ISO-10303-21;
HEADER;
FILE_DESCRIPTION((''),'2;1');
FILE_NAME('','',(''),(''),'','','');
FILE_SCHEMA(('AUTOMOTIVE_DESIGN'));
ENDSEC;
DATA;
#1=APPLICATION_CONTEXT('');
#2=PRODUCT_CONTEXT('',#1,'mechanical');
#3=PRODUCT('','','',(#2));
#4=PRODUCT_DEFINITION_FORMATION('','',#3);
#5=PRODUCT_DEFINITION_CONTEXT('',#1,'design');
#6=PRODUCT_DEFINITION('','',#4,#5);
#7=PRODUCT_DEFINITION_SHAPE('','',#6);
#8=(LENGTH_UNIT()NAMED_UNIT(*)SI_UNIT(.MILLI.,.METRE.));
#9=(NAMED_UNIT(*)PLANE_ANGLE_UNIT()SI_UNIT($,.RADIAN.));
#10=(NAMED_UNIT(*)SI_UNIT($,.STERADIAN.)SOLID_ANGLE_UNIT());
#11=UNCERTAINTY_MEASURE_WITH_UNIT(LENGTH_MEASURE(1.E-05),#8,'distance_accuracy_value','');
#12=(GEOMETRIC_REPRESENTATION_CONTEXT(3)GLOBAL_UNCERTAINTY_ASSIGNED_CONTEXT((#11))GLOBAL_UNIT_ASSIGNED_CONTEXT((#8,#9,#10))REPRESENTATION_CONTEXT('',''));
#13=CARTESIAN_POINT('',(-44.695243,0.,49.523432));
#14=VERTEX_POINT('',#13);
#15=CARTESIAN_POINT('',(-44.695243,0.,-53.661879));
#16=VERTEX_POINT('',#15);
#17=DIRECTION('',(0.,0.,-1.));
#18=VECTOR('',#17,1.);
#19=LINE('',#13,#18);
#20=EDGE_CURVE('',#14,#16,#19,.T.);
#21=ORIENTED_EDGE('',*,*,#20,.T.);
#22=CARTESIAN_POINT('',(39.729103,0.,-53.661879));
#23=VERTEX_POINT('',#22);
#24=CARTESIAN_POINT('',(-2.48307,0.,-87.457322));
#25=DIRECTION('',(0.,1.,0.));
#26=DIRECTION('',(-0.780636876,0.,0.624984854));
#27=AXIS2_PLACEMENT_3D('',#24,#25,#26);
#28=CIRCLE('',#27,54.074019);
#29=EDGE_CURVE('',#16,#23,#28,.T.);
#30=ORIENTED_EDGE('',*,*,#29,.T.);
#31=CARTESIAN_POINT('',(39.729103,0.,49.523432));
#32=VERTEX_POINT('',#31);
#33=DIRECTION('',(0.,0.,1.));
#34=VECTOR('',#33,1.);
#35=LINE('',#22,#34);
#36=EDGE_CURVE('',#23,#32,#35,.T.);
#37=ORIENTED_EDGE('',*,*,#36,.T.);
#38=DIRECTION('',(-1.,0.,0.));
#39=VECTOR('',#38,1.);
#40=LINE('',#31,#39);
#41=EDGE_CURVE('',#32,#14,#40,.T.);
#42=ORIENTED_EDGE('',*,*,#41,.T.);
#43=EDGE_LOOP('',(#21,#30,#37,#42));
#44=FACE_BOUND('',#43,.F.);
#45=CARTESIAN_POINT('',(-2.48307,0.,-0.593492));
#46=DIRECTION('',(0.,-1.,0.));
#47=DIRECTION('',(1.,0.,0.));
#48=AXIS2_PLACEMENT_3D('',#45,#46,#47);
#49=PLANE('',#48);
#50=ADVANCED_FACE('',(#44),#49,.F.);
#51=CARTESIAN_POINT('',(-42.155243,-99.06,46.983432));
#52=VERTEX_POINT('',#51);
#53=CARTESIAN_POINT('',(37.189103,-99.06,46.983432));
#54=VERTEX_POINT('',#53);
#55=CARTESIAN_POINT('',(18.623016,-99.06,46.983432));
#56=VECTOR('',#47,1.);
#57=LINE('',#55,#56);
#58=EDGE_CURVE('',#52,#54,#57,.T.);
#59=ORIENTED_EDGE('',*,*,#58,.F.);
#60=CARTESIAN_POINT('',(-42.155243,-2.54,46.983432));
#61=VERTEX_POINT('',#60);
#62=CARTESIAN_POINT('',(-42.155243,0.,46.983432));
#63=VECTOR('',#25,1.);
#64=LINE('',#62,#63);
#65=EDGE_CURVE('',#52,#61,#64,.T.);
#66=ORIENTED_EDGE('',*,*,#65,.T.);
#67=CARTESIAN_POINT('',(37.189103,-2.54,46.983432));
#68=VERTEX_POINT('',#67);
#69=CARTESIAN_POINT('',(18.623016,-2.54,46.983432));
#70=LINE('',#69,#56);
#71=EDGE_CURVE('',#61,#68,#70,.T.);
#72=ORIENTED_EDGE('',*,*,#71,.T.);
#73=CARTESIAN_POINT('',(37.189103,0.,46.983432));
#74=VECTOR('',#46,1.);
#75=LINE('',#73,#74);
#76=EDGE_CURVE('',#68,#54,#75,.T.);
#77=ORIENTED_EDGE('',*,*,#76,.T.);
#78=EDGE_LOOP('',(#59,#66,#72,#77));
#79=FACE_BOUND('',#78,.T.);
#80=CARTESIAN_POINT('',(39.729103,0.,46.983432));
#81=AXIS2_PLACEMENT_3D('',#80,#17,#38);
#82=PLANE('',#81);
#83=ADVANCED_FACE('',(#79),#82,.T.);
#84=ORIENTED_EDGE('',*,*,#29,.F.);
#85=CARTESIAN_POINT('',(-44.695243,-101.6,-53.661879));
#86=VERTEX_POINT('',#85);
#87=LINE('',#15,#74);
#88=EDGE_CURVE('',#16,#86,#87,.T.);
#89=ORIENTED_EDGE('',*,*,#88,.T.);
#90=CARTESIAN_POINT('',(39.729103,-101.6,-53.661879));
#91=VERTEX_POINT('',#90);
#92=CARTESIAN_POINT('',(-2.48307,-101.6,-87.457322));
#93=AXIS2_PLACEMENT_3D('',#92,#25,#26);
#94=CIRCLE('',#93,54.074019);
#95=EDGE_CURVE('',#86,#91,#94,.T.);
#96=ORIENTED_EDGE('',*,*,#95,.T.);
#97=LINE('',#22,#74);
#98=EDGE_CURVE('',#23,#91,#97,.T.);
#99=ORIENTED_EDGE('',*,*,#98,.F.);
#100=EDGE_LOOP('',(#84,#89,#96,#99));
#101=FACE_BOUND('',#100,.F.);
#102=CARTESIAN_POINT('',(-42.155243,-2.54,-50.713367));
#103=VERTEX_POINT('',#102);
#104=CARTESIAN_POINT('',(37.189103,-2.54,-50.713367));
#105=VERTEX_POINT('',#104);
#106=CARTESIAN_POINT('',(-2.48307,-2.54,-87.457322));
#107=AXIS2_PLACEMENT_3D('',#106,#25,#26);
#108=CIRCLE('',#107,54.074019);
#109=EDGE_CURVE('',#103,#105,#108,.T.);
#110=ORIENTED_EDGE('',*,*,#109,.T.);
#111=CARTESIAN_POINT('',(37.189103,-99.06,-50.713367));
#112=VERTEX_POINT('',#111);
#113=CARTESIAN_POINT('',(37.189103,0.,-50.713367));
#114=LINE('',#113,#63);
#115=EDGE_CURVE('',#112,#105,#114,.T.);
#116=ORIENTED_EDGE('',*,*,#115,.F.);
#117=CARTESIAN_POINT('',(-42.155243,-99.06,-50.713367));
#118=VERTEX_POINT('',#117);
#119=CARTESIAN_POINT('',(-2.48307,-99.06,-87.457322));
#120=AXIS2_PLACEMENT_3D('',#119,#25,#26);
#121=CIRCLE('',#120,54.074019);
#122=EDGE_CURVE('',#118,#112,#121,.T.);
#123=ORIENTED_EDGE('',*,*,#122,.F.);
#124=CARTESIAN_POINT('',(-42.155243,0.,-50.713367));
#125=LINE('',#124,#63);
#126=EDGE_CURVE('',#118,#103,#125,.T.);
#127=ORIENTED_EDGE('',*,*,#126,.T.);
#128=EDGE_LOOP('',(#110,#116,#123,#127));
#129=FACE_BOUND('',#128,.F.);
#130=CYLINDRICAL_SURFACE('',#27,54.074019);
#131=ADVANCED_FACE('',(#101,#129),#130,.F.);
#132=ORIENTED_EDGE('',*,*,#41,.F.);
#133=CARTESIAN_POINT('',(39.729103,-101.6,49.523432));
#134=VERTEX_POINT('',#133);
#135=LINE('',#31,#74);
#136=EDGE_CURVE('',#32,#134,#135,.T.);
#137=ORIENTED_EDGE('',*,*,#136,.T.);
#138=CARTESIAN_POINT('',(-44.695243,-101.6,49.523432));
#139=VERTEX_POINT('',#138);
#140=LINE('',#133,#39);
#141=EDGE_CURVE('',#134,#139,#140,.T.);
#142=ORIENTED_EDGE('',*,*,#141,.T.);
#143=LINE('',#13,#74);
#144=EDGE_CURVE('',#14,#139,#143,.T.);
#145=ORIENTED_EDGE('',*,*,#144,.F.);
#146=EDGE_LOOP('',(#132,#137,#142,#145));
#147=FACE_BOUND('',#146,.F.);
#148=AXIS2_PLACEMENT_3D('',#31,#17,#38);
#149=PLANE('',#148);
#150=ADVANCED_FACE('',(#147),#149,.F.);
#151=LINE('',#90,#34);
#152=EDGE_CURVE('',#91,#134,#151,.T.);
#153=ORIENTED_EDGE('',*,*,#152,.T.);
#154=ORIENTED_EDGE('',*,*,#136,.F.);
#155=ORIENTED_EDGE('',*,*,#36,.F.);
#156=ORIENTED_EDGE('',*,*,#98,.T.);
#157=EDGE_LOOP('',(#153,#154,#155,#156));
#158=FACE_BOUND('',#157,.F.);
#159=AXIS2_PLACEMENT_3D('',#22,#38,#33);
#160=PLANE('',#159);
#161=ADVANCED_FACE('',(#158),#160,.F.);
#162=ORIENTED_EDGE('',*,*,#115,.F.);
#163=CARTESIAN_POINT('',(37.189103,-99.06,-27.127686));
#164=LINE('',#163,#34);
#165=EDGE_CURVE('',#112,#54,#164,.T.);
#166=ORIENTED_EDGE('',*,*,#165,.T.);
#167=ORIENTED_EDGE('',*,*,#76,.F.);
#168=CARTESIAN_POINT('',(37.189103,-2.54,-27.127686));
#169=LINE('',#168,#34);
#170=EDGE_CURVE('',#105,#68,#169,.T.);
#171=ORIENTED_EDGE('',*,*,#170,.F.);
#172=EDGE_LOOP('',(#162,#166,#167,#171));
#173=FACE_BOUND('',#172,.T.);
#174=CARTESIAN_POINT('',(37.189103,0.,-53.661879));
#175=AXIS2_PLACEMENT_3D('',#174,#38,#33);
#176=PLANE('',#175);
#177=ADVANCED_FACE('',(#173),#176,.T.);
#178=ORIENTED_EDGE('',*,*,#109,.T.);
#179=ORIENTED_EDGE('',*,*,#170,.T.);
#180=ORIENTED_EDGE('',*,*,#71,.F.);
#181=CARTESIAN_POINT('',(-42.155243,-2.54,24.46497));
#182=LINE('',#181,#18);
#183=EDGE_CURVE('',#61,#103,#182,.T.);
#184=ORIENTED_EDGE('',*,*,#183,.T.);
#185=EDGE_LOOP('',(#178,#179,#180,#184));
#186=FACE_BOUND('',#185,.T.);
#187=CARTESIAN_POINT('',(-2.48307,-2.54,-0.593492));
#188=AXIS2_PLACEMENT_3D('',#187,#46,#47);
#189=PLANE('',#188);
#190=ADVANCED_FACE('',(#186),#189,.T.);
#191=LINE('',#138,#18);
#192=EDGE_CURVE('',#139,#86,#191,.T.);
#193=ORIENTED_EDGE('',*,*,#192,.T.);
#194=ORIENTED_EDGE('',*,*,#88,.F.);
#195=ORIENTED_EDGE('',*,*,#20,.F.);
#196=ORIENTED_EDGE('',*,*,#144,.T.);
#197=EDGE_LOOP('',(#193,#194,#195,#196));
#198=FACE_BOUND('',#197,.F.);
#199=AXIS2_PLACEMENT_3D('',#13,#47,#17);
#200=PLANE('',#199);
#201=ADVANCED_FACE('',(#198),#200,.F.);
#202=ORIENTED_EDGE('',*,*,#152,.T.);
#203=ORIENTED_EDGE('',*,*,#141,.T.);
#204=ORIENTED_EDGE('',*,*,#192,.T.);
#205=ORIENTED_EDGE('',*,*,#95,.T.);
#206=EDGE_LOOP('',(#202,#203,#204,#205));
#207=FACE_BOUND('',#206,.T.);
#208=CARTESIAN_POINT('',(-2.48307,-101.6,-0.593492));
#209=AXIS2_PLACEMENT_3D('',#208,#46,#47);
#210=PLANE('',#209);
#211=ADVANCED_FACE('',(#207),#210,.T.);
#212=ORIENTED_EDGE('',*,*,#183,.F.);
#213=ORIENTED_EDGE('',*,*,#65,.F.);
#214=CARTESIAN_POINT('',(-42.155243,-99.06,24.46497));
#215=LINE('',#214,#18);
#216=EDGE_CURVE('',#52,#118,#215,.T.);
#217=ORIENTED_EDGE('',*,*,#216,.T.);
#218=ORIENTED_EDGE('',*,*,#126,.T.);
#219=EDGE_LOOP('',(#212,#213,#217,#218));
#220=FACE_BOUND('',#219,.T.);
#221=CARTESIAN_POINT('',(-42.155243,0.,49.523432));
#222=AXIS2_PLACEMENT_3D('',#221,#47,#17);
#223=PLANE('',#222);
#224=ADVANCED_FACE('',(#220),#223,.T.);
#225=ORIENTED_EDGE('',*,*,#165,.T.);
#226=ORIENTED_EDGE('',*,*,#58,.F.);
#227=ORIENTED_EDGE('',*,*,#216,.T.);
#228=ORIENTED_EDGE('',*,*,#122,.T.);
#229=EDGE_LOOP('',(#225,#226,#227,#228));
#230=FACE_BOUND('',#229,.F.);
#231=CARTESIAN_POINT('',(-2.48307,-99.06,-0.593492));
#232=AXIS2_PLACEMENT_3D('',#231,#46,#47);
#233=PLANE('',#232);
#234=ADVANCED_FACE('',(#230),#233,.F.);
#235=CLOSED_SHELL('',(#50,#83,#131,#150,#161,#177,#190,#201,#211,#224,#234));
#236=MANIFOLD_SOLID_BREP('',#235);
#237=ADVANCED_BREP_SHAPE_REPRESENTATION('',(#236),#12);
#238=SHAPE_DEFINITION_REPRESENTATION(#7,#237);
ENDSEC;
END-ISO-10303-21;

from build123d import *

# Parameters (mm, degrees)
F1_DEPTH = 101.6
F2_T     = -2.54


with BuildPart() as f1:
    # F0 (on Front) → F1 (new body)
    with BuildSketch(Plane.XZ):
        with BuildLine():
            Line((39.729103, 49.523432), (-44.695243, 49.523432))
            Line((-44.695243, 49.523432), (-44.695243, -53.661879))
            ThreePointArc((-44.695243, -53.661879), (-2.48307, -33.383303), (39.729103, -53.661879))
            Line((39.729103, -53.661879), (39.729103, 49.523432))
        make_face()
    extrude(amount=F1_DEPTH)

    # F2
    f2_openings = [f1.faces().sort_by_distance(p)[0] for p in [
        (-2.48307, -50.8, -33.383303),
    ]]
    offset(amount=F2_T, openings=f2_openings)


solid = f1.part
